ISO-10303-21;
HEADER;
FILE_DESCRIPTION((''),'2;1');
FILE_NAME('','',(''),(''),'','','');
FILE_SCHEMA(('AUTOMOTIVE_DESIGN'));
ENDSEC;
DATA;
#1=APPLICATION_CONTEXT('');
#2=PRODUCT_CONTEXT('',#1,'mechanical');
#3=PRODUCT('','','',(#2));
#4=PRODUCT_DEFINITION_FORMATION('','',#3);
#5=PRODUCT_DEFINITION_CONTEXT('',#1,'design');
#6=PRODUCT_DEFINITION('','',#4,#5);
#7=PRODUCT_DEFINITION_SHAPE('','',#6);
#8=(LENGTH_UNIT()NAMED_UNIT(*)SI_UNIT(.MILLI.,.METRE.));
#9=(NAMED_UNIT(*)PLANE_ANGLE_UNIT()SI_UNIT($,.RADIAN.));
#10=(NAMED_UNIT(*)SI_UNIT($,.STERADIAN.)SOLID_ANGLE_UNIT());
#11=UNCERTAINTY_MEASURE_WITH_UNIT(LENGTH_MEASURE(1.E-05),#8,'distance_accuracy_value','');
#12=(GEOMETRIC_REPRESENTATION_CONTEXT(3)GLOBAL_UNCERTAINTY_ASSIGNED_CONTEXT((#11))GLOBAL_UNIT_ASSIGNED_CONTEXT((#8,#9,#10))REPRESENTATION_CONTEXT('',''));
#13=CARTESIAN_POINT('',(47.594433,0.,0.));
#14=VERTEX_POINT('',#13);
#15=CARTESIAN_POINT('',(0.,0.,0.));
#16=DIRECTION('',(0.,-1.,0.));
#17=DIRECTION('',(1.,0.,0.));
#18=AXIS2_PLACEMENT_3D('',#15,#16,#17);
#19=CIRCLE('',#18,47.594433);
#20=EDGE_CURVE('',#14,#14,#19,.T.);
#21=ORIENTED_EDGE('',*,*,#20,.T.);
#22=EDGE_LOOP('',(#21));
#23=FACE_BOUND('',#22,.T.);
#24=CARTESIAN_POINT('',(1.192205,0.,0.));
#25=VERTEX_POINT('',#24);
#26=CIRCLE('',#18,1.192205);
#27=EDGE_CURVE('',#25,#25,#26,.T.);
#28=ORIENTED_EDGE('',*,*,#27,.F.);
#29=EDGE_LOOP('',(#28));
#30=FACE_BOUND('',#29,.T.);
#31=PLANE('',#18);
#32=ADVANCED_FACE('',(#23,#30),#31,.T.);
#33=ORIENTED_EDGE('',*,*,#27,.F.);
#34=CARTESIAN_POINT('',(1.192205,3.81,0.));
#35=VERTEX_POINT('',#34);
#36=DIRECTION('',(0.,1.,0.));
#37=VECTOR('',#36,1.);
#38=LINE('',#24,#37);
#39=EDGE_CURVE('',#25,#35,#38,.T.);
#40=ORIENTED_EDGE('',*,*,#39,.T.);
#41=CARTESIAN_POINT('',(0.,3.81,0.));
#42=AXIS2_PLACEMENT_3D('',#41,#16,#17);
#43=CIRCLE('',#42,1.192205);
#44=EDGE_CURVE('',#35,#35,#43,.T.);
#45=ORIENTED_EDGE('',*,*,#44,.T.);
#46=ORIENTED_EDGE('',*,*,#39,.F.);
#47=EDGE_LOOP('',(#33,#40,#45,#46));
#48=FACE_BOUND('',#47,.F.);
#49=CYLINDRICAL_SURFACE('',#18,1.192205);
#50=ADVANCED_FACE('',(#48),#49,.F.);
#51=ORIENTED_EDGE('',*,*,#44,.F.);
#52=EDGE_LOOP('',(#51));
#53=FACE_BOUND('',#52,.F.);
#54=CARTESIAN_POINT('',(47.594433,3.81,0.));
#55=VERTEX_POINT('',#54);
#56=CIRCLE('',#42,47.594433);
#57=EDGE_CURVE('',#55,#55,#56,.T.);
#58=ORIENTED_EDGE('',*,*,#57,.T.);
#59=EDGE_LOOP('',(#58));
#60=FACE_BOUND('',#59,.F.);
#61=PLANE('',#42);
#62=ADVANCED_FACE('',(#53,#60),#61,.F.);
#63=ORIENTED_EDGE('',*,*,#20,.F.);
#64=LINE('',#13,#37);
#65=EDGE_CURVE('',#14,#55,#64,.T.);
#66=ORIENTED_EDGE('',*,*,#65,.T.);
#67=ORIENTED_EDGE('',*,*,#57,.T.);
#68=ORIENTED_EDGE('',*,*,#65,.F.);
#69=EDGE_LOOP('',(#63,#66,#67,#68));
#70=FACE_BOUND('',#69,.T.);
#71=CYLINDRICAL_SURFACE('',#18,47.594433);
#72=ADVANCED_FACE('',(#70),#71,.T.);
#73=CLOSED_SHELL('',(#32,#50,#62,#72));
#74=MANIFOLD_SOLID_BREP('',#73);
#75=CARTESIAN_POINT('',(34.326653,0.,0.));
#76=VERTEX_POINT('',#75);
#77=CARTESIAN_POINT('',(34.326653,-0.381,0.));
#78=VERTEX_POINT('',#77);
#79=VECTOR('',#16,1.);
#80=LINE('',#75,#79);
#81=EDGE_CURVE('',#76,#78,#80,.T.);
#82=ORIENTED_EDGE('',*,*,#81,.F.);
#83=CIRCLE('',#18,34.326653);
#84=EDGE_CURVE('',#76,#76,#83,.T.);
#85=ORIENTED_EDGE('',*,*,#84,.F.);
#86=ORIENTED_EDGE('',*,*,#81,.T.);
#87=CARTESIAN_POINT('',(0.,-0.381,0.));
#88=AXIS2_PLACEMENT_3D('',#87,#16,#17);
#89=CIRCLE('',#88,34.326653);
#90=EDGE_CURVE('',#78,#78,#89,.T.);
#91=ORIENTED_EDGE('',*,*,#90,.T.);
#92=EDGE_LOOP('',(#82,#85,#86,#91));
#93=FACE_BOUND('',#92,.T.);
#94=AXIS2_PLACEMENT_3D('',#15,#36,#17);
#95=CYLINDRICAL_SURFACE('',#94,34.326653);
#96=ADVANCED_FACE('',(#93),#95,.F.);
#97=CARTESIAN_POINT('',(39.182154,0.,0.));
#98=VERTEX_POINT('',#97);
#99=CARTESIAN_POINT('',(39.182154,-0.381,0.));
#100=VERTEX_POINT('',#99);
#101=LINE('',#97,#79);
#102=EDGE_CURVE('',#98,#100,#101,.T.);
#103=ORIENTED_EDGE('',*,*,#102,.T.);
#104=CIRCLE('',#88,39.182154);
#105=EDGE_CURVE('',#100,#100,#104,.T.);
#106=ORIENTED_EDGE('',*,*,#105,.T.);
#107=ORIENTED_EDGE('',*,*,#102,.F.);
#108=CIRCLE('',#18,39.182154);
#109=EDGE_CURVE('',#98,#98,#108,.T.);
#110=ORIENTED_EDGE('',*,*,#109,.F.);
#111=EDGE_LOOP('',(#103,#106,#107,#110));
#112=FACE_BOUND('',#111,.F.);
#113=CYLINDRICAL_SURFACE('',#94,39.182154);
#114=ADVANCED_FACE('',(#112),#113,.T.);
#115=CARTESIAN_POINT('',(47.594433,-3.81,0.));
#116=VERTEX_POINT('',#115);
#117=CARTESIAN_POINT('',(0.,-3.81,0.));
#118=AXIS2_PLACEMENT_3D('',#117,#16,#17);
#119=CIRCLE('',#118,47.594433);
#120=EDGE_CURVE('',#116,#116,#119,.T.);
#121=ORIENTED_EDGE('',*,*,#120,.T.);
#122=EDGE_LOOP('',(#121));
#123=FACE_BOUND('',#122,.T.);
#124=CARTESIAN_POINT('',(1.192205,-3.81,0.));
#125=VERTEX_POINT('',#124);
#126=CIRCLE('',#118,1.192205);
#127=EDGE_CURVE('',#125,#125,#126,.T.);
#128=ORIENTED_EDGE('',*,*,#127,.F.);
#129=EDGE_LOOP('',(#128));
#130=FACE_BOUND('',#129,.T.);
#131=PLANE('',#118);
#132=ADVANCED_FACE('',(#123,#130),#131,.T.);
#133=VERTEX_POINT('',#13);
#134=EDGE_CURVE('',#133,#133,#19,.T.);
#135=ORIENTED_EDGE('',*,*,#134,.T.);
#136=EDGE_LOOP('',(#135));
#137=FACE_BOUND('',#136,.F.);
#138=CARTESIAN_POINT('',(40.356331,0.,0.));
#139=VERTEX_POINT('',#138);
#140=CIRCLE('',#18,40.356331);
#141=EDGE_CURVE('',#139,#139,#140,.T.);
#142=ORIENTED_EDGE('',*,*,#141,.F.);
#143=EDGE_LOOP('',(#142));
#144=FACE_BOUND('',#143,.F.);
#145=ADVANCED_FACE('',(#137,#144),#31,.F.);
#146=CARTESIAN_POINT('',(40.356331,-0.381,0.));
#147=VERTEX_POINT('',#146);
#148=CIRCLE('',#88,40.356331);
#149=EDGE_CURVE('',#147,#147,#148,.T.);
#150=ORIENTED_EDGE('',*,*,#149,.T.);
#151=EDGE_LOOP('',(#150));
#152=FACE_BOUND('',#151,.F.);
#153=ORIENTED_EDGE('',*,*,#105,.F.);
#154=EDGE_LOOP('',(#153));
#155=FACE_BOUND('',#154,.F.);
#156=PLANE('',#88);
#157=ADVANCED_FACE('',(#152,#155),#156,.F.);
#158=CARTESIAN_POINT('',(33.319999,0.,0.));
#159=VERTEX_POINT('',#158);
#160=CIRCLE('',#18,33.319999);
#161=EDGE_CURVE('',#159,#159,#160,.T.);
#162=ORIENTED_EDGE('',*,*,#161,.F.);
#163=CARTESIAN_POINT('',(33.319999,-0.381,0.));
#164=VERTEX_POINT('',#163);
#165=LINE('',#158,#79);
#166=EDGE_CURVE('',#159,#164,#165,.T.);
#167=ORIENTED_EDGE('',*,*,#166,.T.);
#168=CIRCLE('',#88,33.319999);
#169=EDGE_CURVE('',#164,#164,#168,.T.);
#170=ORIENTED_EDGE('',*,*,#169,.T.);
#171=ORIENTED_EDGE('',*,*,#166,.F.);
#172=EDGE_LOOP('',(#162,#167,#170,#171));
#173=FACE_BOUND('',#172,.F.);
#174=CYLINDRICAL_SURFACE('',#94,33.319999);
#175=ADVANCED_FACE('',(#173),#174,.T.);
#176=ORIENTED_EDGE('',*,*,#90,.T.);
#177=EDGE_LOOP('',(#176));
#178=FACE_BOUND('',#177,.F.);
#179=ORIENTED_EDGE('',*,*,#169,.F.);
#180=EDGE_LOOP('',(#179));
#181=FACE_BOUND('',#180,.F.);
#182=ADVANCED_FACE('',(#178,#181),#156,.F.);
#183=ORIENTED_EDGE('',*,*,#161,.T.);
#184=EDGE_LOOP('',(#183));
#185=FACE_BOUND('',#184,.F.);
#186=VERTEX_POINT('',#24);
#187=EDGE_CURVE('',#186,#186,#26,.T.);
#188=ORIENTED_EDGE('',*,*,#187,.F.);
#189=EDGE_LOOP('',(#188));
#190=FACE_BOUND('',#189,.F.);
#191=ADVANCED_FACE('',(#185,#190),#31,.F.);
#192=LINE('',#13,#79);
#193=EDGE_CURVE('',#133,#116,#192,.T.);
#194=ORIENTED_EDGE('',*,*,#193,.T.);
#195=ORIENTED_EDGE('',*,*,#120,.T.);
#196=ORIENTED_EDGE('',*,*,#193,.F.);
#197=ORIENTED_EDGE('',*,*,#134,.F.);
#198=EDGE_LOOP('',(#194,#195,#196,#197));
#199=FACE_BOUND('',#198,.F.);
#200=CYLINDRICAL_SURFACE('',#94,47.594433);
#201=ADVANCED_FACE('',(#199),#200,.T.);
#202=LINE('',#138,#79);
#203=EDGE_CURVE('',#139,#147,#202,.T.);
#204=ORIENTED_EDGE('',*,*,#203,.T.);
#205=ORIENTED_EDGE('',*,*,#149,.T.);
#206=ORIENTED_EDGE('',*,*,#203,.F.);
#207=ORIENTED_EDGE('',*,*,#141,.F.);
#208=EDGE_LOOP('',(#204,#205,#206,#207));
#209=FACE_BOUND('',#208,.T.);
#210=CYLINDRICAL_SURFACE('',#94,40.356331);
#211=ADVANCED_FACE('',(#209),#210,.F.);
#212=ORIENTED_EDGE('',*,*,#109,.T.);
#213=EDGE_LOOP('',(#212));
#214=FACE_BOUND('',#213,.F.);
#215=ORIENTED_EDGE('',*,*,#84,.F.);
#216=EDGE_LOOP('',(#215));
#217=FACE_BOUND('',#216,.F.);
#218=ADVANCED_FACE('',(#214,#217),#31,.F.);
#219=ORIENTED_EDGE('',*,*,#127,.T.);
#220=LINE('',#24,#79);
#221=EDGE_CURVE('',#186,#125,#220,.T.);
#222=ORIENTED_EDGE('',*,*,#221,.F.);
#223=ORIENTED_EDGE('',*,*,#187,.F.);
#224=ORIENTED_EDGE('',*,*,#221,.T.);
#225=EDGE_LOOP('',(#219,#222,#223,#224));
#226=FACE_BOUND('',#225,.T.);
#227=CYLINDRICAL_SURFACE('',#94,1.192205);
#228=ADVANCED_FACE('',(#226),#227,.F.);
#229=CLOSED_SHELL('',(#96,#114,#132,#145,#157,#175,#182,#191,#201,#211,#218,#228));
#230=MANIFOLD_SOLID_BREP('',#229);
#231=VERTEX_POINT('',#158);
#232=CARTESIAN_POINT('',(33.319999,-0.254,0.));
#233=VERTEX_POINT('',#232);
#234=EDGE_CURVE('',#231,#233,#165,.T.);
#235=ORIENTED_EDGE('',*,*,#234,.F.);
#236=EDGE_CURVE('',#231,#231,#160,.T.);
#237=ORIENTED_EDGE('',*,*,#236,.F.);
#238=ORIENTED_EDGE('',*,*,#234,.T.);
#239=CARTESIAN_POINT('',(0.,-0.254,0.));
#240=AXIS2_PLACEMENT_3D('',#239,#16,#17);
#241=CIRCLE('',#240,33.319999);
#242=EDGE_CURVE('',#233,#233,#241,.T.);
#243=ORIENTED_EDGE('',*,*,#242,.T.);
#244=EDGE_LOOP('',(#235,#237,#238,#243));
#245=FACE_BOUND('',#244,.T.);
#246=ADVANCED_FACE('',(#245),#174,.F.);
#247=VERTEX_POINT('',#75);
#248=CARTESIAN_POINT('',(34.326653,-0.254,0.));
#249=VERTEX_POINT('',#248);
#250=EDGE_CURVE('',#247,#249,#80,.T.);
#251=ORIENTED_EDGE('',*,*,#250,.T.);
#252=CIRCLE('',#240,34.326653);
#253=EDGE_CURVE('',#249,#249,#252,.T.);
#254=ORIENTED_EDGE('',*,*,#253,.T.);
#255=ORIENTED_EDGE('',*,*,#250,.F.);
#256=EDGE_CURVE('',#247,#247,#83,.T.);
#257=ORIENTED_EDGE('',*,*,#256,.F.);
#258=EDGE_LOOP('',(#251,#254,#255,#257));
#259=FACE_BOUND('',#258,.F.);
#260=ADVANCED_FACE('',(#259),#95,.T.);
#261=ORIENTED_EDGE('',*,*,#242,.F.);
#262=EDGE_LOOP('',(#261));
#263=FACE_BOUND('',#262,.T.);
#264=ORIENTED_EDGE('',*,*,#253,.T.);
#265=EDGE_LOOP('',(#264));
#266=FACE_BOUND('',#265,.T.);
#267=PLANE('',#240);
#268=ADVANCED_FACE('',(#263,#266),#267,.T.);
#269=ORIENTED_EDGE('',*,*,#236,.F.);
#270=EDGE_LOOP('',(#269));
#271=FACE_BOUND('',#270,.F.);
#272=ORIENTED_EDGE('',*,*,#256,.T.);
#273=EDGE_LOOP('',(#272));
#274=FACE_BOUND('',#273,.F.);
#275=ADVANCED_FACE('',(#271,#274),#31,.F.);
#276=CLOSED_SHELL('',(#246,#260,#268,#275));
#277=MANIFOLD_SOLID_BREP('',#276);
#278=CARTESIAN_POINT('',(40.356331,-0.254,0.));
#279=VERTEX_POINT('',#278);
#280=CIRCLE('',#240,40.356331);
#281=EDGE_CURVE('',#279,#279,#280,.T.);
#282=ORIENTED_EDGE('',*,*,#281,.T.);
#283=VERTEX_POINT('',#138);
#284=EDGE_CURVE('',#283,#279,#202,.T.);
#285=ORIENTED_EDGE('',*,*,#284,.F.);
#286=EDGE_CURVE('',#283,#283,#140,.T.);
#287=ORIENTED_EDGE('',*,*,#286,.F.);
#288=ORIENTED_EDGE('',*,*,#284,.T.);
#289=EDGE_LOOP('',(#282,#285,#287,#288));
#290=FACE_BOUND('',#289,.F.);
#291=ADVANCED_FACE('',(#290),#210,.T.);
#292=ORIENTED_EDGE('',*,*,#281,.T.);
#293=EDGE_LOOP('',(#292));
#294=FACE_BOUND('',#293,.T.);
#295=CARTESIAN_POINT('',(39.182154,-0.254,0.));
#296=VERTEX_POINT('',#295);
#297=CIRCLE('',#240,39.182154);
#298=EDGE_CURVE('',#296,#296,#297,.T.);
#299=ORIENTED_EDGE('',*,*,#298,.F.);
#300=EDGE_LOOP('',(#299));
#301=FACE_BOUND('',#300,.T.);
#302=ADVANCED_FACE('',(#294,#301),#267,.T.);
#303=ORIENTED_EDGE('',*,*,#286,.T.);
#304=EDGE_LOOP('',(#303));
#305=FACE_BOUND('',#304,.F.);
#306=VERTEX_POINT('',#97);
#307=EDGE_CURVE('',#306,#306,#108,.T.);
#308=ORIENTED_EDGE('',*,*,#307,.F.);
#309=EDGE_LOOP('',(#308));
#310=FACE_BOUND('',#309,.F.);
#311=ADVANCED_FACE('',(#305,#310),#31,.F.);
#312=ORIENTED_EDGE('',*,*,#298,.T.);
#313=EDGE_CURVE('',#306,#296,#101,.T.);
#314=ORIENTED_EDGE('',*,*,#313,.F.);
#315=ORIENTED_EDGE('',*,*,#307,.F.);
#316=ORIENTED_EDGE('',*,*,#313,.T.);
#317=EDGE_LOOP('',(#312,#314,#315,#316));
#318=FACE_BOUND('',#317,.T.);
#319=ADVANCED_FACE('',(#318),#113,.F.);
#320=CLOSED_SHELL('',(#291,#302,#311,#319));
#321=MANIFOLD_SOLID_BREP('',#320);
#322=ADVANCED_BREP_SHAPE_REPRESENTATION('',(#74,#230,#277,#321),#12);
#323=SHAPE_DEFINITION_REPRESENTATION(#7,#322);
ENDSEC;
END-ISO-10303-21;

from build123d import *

# Parameters (mm, degrees)
F0_R     = 40.3563306145
F0_R_2   = 39.182154103
F1_DEPTH = 0.254
F0_R_3   = 34.3266525065
F0_R_4   = 33.3199988615
F0_R_5   = 47.5944326974
F0_R_6   = 1.1922054774
F2_DEPTH = 3.81
F3_DEPTH = 3.81
F4_DEPTH = 0.381


with BuildPart() as f1:
    # F0 (on Front) → F1 (new body)
    with BuildSketch(Plane.XZ):
        Circle(F0_R)
        Circle(F0_R_2, mode=Mode.SUBTRACT)
    extrude(amount=F1_DEPTH)


with BuildPart() as f1b:
    # F0 (on Front) → F1, piece 2 (new body)
    with BuildSketch(Plane.XZ):
        Circle(F0_R_3)
        Circle(F0_R_4, mode=Mode.SUBTRACT)
    extrude(amount=F1_DEPTH)


with BuildPart() as f2:
    # F0 (on Front) → F2 (new body)
    with BuildSketch(Plane.XZ):
        Circle(F0_R_5)
        Circle(F0_R, mode=Mode.SUBTRACT)
        Circle(F0_R)
        Circle(F0_R_2, mode=Mode.SUBTRACT)
        Circle(F0_R_2)
        Circle(F0_R_3, mode=Mode.SUBTRACT)
        Circle(F0_R_3)
        Circle(F0_R_4, mode=Mode.SUBTRACT)
        Circle(F0_R_4)
        Circle(F0_R_6, mode=Mode.SUBTRACT)
    extrude(amount=-F2_DEPTH)


with BuildPart() as f3:
    # F0 (on Front) → F3 (new body)
    with BuildSketch(Plane.XZ):
        Circle(F0_R_5)
        Circle(F0_R, mode=Mode.SUBTRACT)
        Circle(F0_R)
        Circle(F0_R_2, mode=Mode.SUBTRACT)
        Circle(F0_R_2)
        Circle(F0_R_3, mode=Mode.SUBTRACT)
        Circle(F0_R_3)
        Circle(F0_R_4, mode=Mode.SUBTRACT)
        Circle(F0_R_4)
        Circle(F0_R_6, mode=Mode.SUBTRACT)
    extrude(amount=F3_DEPTH)


with BuildPart() as f4:
    # F0 (on Front) → F4 (new body)
    with BuildSketch(Plane.XZ):
        Circle(F0_R)
        Circle(F0_R_2, mode=Mode.SUBTRACT)
    extrude(amount=F4_DEPTH)


with BuildPart() as f4b:
    # F0 (on Front) → F4, piece 2 (new body)
    with BuildSketch(Plane.XZ):
        Circle(F0_R_3)
        Circle(F0_R_4, mode=Mode.SUBTRACT)
    extrude(amount=F4_DEPTH)


with BuildPart() as f3_1:
    add(f3.part)

    # F5: cut F4
    add(f4.part, mode=Mode.SUBTRACT)

    # F6: cut F4b
    add(f4b.part, mode=Mode.SUBTRACT)


solid = Compound([f1.part, f1b.part, f2.part, f3_1.part])
